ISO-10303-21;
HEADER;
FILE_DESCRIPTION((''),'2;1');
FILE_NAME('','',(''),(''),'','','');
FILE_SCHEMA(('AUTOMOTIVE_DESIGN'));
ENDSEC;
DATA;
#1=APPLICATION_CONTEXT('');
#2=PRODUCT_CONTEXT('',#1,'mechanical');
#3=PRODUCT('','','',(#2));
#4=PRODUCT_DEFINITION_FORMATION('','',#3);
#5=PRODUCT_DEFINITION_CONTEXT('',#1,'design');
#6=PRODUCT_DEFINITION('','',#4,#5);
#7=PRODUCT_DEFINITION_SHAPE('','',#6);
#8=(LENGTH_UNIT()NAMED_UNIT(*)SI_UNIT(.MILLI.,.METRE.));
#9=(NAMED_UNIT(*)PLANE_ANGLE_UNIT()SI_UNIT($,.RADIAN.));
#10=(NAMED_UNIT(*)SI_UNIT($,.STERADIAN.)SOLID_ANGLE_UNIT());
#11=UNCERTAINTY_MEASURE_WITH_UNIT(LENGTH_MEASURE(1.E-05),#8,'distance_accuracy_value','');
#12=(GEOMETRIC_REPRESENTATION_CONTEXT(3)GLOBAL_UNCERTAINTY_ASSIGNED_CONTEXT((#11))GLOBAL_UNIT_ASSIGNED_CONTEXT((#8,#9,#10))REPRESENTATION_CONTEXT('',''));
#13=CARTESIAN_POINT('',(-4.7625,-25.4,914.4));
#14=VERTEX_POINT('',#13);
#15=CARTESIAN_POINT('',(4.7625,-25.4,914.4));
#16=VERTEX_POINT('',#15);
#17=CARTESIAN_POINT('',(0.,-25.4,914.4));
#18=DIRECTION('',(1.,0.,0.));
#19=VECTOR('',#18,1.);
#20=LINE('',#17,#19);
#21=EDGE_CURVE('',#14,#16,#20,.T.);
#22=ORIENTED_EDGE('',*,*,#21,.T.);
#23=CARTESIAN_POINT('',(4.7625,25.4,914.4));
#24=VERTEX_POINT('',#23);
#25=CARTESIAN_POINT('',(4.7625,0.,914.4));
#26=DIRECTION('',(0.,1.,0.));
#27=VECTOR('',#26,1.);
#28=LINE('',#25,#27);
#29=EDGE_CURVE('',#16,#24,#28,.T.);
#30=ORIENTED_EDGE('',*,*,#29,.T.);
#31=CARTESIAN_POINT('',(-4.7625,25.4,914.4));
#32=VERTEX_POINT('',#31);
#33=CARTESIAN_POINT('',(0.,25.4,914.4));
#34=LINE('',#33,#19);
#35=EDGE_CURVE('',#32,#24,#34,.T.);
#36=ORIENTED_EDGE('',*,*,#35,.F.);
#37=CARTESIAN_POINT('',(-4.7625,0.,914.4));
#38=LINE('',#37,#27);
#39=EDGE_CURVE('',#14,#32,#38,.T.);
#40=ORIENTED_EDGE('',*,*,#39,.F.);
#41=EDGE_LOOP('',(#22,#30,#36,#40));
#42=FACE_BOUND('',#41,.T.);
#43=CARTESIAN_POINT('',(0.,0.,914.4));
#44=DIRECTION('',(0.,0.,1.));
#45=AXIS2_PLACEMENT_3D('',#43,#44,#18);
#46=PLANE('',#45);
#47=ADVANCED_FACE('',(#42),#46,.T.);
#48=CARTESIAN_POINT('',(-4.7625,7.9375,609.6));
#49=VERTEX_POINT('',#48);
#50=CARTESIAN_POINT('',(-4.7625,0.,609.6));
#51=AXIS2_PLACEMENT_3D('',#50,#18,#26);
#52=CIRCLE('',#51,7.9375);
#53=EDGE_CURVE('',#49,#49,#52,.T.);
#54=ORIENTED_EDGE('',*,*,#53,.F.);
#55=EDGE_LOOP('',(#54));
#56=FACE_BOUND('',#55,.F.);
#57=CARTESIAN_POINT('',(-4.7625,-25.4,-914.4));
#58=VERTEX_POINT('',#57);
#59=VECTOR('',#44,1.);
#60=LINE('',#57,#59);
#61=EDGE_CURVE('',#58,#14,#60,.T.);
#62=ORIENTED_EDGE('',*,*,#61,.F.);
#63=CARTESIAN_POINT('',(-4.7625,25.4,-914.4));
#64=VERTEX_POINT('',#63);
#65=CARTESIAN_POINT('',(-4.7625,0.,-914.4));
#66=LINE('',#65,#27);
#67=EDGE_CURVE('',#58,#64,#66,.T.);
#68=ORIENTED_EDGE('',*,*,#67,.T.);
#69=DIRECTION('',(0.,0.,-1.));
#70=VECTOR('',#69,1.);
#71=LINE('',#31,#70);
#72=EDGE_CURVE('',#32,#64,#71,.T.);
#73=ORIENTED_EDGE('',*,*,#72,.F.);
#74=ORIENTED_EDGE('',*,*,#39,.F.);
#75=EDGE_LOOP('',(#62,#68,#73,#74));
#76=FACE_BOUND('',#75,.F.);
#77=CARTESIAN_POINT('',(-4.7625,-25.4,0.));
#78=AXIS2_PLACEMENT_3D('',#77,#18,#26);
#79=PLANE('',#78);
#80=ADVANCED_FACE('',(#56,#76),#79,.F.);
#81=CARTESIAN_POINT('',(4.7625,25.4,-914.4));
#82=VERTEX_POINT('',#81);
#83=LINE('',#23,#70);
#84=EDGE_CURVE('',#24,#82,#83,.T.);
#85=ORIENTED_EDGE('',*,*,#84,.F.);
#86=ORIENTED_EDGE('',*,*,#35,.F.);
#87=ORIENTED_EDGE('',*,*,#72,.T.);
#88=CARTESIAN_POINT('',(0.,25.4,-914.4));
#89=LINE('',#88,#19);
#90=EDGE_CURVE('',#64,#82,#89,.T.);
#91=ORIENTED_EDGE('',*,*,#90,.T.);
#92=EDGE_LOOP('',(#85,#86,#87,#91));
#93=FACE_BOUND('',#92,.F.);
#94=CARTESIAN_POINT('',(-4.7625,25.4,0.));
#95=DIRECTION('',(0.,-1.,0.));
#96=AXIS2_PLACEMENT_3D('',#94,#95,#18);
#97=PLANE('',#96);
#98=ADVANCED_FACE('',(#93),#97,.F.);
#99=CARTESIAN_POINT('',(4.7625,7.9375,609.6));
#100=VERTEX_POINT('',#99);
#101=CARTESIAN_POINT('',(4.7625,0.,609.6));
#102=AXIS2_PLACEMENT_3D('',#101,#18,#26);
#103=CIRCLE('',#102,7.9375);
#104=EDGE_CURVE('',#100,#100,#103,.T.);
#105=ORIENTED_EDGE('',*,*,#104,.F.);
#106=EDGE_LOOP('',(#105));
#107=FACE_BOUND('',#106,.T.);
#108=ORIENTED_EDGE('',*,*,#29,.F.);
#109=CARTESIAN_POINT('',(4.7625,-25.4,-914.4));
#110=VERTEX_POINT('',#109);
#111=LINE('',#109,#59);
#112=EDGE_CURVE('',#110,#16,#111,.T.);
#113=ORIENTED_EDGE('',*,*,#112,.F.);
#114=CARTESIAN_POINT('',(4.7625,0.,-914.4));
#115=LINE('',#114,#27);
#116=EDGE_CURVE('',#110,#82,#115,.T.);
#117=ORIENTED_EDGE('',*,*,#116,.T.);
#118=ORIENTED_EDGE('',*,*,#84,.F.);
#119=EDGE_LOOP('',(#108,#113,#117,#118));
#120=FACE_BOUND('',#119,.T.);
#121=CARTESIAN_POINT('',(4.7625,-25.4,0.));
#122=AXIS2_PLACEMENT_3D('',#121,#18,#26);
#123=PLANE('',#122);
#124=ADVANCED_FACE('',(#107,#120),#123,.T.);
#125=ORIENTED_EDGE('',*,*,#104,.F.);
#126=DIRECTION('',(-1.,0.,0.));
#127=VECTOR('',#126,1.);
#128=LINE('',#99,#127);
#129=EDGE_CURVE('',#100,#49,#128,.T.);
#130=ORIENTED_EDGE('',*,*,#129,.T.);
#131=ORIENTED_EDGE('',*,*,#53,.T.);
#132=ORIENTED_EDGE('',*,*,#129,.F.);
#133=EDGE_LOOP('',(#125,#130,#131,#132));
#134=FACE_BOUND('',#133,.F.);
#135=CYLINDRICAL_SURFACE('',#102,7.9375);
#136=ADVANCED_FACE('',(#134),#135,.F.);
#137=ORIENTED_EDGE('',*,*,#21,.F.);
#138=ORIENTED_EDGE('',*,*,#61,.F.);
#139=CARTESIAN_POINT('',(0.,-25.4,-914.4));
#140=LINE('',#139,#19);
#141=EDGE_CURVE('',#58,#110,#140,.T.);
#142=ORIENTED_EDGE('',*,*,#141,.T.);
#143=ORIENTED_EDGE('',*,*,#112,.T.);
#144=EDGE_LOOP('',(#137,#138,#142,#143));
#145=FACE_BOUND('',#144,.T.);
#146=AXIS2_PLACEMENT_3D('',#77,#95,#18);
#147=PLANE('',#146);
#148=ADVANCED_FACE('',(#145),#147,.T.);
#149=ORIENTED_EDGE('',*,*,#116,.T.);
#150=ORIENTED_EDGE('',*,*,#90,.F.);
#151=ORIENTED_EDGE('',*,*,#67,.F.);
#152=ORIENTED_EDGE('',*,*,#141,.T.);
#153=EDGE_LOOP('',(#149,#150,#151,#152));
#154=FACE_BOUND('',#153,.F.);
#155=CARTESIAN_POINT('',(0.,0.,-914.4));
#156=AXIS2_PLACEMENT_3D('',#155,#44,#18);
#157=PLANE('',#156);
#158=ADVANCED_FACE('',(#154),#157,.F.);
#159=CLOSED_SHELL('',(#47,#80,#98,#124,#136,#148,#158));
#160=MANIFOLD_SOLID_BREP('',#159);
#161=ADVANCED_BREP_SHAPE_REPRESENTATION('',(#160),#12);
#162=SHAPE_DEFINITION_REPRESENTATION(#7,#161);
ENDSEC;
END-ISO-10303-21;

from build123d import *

# Parameters (mm, degrees)
F0_W     = 9.525
F0_H     = 50.8
F1_DEPTH = 914.4
F2_R     = 7.9375
F3_DEPTH = 9.526


with BuildPart() as f1:
    # F0 (on Top) → F1 (new body, symmetric)
    with BuildSketch(Plane.XY):
        Rectangle(F0_W, F0_H)
    extrude(amount=F1_DEPTH, both=True)

    # F2 (on face) → F3 (cut, through all)
    with BuildSketch(Plane.YZ.offset(4.7625)):
        with Locations((0, 609.6)):
            Circle(F2_R)
    extrude(amount=-F3_DEPTH, mode=Mode.SUBTRACT)


solid = f1.part
